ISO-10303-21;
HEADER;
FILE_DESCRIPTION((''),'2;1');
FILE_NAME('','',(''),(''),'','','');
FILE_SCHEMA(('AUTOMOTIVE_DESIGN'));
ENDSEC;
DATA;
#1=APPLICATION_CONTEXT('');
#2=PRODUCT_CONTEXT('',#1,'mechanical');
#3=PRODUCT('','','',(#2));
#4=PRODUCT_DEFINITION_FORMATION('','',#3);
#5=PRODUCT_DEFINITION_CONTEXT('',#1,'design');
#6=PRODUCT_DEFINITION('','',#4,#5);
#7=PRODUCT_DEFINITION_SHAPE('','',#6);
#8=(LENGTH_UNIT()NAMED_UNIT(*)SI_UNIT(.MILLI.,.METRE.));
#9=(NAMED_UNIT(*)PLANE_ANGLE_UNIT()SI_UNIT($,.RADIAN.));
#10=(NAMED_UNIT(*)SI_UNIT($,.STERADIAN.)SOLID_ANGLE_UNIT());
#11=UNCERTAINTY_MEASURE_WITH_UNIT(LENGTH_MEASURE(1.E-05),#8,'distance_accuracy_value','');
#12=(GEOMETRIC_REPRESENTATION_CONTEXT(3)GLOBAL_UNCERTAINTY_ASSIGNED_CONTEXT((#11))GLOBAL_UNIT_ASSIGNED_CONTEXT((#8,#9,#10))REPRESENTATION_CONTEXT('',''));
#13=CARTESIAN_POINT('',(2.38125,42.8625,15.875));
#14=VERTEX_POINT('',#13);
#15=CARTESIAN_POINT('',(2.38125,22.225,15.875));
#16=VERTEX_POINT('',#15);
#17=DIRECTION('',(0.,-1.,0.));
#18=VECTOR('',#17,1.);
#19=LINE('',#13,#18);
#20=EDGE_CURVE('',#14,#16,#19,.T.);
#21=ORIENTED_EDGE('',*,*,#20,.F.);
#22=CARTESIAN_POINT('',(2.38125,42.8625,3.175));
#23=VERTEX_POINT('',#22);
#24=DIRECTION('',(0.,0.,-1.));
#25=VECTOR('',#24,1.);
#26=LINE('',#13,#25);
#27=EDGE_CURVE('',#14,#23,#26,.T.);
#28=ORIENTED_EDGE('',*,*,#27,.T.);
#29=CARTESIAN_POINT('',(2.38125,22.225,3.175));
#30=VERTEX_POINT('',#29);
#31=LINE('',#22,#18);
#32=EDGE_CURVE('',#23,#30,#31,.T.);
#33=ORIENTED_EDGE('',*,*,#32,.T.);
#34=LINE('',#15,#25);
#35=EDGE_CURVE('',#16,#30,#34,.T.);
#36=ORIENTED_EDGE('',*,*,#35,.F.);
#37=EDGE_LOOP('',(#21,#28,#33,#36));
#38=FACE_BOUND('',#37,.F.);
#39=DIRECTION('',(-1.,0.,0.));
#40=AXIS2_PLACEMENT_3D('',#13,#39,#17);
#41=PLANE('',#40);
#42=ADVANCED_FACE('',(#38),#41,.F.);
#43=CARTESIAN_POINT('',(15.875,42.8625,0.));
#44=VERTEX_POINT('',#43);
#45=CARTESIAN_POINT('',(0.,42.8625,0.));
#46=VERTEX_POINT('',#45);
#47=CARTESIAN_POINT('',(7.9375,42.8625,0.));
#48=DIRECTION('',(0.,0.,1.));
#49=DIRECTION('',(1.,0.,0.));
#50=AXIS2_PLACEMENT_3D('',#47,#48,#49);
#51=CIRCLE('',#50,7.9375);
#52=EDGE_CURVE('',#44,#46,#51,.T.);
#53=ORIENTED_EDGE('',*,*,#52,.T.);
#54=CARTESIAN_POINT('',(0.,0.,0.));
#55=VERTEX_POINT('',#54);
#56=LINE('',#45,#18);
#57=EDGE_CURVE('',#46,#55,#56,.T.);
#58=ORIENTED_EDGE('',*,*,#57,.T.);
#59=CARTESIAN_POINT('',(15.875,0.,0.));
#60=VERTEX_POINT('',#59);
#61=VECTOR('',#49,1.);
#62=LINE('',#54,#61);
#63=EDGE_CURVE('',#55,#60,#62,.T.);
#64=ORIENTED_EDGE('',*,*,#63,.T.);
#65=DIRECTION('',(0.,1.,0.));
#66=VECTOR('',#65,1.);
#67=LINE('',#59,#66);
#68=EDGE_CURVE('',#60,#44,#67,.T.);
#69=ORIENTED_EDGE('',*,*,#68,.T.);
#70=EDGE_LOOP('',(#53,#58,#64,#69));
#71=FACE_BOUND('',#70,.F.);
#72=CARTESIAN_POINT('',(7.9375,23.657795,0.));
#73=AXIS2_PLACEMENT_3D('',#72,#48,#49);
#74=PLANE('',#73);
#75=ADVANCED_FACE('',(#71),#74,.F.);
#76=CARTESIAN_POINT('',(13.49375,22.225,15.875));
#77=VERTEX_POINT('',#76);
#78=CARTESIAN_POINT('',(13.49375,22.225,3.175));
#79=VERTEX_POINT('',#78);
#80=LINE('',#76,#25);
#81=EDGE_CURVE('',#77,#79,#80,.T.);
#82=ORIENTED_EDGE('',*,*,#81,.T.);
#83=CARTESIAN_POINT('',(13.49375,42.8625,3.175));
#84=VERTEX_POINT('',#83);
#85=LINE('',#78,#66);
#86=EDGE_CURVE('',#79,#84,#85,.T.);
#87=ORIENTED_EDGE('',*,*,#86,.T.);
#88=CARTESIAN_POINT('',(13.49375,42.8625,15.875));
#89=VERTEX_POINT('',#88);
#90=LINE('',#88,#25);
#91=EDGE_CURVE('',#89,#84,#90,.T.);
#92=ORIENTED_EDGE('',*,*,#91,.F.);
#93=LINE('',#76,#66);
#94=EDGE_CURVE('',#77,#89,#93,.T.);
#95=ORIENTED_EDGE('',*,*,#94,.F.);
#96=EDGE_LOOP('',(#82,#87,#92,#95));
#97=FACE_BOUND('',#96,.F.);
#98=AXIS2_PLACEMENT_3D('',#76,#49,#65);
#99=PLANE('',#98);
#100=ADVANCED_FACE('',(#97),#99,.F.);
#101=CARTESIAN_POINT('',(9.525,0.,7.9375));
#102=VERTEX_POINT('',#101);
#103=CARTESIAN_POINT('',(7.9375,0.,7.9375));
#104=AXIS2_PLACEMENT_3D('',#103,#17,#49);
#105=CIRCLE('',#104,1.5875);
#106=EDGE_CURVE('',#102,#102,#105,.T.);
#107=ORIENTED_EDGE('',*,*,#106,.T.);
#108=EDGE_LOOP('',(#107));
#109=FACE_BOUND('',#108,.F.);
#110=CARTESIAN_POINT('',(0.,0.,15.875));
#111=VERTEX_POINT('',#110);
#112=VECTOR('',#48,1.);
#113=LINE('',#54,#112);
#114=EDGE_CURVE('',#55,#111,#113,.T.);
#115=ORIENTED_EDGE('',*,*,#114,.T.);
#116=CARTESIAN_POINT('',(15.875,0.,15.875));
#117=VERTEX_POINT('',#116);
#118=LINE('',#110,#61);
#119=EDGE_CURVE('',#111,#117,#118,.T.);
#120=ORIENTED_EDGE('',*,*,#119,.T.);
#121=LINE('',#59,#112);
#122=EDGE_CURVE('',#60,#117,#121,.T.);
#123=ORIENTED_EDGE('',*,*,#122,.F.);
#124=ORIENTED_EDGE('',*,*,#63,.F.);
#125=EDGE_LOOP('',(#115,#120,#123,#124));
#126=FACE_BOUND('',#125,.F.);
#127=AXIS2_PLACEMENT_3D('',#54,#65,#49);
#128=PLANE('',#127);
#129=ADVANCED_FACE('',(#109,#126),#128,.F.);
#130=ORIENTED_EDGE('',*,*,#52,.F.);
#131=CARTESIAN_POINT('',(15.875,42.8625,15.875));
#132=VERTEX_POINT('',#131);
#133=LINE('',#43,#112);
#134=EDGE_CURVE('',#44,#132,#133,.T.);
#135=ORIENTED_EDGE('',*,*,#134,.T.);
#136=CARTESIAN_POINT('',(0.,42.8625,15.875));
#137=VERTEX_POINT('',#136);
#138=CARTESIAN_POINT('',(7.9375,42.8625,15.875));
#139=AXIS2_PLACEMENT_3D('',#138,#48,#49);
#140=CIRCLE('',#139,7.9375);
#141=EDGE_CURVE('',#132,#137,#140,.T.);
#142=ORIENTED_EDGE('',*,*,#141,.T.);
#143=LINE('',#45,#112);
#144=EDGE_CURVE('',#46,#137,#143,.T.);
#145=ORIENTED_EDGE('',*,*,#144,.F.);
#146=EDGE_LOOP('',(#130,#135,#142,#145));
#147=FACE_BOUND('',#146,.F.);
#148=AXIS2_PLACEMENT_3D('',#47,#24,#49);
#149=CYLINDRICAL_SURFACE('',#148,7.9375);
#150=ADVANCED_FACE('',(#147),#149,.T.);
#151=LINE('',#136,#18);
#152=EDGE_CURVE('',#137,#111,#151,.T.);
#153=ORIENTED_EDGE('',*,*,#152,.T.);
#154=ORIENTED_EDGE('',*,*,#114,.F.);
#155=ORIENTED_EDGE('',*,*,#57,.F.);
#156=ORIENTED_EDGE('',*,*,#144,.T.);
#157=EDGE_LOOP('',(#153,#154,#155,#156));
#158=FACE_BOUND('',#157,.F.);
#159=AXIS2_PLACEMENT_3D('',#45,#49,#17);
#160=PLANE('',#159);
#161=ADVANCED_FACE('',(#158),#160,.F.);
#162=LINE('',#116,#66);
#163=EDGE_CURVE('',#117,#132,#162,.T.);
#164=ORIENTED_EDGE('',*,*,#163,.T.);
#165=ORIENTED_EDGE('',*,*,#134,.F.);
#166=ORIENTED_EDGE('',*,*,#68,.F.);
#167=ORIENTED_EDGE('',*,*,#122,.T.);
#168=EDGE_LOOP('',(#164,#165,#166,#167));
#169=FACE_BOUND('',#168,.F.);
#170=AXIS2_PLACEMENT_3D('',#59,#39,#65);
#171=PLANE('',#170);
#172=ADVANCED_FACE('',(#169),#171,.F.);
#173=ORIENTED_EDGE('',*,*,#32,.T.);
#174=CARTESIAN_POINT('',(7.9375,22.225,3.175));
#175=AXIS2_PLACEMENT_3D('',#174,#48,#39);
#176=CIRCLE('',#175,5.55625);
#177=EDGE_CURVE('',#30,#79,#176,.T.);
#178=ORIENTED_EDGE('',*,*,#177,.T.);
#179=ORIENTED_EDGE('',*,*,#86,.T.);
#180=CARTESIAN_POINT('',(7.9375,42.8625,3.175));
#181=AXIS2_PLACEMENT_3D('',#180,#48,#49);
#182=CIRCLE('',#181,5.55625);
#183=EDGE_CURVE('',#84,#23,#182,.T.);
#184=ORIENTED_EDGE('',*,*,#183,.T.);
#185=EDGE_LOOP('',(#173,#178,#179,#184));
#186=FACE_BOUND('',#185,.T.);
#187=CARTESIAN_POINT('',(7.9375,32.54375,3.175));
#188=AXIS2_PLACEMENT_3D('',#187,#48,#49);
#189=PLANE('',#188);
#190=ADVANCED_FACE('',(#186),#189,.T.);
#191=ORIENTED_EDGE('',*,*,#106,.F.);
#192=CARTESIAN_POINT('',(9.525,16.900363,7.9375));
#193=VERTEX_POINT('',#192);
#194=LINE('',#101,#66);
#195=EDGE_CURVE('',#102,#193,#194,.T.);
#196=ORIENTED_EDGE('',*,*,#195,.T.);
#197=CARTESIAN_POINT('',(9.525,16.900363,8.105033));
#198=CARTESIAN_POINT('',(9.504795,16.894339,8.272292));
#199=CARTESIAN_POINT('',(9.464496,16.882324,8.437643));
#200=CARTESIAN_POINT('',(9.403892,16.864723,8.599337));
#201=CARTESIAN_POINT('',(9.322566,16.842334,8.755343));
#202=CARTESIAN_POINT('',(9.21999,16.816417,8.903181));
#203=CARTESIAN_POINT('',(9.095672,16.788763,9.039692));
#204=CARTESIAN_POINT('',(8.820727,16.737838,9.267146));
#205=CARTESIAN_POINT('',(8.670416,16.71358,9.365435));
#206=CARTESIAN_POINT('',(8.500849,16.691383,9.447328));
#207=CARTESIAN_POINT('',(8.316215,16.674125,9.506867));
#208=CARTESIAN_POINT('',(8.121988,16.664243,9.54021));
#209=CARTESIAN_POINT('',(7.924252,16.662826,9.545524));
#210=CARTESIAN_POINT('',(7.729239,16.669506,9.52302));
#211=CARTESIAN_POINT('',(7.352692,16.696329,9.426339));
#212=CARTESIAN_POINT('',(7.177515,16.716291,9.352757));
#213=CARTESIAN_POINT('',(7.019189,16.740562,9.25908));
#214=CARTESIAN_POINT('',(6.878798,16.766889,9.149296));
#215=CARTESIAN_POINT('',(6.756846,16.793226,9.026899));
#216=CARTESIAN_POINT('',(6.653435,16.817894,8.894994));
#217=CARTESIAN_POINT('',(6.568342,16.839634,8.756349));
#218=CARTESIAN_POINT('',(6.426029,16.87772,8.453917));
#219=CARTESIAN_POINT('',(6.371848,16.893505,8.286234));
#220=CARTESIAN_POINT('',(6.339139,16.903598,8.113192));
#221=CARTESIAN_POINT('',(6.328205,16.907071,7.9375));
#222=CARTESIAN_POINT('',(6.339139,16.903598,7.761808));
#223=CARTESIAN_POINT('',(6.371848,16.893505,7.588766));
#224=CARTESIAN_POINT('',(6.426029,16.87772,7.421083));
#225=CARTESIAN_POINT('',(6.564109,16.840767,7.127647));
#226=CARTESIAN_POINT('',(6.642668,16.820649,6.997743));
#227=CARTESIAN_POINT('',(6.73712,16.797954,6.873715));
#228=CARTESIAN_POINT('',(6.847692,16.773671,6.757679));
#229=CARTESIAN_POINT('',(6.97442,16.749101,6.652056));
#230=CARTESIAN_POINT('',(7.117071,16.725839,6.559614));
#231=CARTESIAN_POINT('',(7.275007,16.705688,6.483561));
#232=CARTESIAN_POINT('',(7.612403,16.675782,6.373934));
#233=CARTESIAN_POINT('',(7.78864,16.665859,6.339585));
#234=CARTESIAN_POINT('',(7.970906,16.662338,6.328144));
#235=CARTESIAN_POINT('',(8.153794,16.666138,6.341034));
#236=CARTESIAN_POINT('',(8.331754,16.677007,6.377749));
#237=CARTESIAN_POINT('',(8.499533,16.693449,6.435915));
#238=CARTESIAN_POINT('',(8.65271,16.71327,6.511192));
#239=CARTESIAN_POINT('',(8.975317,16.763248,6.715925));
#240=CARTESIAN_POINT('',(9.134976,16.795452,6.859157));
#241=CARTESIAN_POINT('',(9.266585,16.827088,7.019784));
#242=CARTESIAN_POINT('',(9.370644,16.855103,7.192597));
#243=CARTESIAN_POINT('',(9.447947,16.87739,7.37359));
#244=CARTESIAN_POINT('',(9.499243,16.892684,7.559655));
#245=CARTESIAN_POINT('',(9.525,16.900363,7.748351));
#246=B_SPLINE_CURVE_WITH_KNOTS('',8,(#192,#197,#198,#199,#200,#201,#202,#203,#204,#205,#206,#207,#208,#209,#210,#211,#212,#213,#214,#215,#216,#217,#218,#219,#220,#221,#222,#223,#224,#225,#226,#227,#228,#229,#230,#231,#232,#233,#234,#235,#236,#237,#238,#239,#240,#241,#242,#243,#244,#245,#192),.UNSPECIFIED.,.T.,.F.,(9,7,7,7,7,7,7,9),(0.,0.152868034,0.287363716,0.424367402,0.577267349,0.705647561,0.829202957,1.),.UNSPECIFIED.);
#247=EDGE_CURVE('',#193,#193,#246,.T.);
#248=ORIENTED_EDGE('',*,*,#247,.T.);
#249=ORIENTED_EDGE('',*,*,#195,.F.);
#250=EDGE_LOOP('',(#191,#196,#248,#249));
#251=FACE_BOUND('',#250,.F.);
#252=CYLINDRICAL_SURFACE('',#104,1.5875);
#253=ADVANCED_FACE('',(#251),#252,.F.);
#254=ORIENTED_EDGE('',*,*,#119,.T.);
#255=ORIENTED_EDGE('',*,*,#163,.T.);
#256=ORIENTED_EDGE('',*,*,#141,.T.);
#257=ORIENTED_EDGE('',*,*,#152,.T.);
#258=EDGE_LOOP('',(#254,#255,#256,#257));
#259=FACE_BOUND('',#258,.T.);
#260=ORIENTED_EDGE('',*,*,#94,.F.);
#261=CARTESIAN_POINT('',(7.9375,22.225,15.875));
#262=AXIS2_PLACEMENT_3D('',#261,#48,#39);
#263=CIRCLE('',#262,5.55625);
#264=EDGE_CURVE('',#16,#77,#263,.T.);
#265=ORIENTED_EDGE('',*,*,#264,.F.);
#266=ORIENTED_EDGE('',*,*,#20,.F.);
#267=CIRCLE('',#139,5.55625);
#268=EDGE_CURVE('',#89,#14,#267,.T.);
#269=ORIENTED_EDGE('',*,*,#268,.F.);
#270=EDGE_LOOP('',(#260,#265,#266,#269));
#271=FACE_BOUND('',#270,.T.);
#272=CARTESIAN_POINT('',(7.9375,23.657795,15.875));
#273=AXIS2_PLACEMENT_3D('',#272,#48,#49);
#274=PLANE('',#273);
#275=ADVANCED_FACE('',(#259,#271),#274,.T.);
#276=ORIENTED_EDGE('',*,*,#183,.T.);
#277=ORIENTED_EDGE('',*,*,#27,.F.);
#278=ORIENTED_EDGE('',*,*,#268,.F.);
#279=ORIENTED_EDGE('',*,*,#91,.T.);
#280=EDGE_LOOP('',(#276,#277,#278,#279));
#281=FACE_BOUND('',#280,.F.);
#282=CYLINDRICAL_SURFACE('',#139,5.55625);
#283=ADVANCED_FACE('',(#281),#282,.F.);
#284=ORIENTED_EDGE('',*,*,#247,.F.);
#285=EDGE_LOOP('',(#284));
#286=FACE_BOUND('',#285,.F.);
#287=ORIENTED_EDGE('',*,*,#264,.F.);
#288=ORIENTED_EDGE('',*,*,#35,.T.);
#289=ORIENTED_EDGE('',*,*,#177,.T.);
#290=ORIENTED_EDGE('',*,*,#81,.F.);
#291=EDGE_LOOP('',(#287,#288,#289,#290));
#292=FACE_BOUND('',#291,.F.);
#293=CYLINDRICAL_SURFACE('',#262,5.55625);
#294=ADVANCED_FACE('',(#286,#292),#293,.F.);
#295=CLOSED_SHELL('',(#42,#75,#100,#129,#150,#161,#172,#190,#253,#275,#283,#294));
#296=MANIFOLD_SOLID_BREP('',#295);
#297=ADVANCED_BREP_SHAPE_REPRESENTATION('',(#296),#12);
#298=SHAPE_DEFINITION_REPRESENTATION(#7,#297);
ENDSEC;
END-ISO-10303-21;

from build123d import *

# Parameters (mm, degrees)
F1_DEPTH = 15.875
F3_DEPTH = 12.7
F4_R     = 1.5875
F5_DEPTH = 17.9003632286


with BuildPart() as f1:
    # F0 (on Top) → F1 (new body)
    with BuildSketch(Plane.XY):
        with BuildLine():
            Line((0, 42.8625), (0, 0))
            Line((0, 0), (15.875, 0))
            Line((15.875, 0), (15.875, 42.8625))
            ThreePointArc((15.875, 42.8625), (7.9375, 50.8), (0, 42.8625))
        make_face()
    extrude(amount=F1_DEPTH)

    # F2 (on face) → F3 (cut)
    with BuildSketch(Plane.XY.offset(15.875)):
        with BuildLine():
            Line((2.38125, 42.8625), (2.38125, 22.225))
            ThreePointArc((2.38125, 22.225), (7.9375, 16.66875), (13.49375, 22.225))
            Line((13.49375, 22.225), (13.49375, 42.8625))
            ThreePointArc((13.49375, 42.8625), (7.9375, 48.41875), (2.38125, 42.8625))
        make_face()
    extrude(amount=-F3_DEPTH, mode=Mode.SUBTRACT)

    # F4 (on face) → F5 (cut, up to face)
    with BuildSketch(Plane.XZ):
        with Locations((7.9375, 7.9375)):
            Circle(F4_R)
    extrude(amount=-F5_DEPTH, mode=Mode.SUBTRACT)


solid = f1.part
